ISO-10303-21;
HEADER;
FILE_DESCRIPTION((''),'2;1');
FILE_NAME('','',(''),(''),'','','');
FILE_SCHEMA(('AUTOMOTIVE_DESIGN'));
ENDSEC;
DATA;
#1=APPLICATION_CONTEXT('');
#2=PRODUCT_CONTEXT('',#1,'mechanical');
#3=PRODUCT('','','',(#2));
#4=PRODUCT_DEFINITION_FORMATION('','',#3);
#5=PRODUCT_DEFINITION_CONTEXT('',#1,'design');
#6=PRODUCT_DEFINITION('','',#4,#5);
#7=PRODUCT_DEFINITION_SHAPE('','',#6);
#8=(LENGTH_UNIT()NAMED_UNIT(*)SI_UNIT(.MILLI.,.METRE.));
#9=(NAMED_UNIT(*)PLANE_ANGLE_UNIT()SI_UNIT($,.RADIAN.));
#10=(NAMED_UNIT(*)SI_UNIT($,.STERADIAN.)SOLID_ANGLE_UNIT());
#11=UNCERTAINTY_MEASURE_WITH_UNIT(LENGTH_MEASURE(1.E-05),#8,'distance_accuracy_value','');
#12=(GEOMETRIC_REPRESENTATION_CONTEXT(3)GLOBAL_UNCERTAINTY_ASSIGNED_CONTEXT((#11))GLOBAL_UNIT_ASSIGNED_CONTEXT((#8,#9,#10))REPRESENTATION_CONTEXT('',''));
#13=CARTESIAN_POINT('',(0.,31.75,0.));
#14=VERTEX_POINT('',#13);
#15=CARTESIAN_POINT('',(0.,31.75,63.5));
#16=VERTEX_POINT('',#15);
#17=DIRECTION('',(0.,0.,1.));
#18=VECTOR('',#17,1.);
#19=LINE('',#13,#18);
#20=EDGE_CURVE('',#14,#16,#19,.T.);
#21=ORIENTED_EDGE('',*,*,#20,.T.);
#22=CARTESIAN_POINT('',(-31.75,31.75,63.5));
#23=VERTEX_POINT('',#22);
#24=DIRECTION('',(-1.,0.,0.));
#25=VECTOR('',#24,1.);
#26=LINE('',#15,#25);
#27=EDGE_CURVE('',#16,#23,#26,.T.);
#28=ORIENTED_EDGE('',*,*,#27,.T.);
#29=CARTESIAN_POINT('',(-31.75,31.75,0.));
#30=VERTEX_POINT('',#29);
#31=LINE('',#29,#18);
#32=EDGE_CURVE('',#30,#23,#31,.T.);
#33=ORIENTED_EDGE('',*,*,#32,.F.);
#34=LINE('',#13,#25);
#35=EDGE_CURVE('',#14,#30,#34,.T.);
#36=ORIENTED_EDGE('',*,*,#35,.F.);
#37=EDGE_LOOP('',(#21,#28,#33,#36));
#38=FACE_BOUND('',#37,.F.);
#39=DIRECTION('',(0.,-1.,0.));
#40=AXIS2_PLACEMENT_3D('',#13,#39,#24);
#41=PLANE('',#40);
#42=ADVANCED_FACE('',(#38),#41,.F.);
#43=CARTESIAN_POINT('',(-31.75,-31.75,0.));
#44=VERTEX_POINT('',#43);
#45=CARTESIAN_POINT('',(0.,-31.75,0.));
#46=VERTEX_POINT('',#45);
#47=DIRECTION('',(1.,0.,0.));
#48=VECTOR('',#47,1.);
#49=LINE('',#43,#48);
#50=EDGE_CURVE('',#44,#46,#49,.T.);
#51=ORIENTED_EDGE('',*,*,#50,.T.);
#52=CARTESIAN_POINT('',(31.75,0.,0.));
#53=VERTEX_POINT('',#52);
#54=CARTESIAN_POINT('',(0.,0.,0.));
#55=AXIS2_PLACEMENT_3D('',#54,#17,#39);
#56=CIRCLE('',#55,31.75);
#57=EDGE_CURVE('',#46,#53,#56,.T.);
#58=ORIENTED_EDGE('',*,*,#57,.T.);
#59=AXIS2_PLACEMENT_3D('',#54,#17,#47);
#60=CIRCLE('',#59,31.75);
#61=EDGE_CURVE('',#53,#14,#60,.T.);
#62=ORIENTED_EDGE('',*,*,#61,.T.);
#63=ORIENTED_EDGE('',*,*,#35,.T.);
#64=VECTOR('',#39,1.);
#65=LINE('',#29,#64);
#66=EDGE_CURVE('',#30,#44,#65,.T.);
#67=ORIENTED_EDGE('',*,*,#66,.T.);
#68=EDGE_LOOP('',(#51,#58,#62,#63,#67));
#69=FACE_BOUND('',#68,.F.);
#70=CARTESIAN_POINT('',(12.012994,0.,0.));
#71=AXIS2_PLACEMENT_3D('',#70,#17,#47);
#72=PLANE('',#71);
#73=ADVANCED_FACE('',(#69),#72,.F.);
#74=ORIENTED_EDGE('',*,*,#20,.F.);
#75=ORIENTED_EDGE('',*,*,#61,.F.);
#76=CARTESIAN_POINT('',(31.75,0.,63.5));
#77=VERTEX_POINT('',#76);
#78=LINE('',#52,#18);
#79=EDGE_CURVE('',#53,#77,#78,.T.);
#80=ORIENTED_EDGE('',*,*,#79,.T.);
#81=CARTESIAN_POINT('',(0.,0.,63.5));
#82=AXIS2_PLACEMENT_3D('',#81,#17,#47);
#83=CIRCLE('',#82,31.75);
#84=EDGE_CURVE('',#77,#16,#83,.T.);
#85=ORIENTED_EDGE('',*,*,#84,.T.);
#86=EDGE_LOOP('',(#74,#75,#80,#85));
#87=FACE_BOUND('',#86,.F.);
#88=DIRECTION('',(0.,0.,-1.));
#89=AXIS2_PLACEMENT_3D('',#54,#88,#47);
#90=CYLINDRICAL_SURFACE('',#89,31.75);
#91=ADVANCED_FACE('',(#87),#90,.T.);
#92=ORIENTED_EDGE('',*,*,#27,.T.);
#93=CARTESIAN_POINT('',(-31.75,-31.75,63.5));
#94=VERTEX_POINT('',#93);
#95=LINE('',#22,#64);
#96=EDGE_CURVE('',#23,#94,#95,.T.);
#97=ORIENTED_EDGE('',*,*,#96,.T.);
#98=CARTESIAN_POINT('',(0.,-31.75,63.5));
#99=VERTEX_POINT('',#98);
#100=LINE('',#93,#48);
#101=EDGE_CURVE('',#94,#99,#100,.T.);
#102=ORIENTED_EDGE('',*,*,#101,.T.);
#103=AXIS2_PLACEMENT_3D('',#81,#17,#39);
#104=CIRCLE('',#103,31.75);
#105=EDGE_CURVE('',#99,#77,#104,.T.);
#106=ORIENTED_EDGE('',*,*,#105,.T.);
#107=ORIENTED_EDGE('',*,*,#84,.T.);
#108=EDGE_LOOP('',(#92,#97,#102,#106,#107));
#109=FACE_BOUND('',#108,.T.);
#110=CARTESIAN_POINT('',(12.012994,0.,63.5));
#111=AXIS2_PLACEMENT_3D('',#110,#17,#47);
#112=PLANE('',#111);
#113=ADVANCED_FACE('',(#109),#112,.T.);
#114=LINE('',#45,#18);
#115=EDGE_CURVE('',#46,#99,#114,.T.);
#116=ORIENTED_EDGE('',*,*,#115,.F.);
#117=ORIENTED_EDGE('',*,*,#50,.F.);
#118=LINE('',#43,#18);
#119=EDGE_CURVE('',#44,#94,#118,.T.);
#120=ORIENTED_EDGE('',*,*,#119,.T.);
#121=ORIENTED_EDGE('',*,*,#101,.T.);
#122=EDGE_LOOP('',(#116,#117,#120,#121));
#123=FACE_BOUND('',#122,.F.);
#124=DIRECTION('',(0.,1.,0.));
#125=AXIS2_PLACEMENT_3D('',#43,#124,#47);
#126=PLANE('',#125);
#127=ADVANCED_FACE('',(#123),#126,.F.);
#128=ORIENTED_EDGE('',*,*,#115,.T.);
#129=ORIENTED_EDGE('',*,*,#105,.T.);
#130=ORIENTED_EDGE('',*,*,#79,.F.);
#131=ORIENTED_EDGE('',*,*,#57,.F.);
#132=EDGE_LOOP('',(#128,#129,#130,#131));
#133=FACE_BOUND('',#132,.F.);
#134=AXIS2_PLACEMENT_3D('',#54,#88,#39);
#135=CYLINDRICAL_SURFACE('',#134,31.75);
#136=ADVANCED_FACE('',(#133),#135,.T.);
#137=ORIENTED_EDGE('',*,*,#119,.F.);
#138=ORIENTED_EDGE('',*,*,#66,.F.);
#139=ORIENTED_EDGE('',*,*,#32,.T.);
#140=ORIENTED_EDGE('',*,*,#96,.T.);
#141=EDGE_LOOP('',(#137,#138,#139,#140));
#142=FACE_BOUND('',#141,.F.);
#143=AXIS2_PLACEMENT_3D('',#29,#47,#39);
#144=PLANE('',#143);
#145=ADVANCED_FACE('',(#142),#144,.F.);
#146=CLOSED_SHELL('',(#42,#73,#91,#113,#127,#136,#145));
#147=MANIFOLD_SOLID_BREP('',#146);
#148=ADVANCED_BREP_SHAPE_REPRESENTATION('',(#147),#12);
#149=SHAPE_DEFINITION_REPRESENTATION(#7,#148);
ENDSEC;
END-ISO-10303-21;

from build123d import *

# Parameters (mm, degrees)
F1_DEPTH = 63.5


with BuildPart() as f1:
    # F0 (on Top) → F1 (new body)
    with BuildSketch(Plane.XY):
        with BuildLine():
            ThreePointArc((0, -31.75), (22.4506403027, -22.4506403027), (31.75, 0))
            ThreePointArc((31.75, 0), (22.4506403027, 22.4506403027), (0, 31.75))
            Line((0, 31.75), (0, -31.75))
        make_face()
        with BuildLine():
            Line((0, -31.75), (0, 31.75))
            ThreePointArc((0, 31.75), (-22.4506403027, 22.4506403027), (-31.75, 0))
            ThreePointArc((-31.75, 0), (-22.4506403027, -22.4506403027), (0, -31.75))
        make_face()
        with BuildLine():
            ThreePointArc((-31.75, 0), (-22.4506403027, 22.4506403027), (0, 31.75))
            Line((0, 31.75), (-31.75, 31.75))
            Line((-31.75, 31.75), (-31.75, 0))
        make_face()
        with BuildLine():
            Line((-31.75, -31.75), (0, -31.75))
            ThreePointArc((0, -31.75), (-22.4506403027, -22.4506403027), (-31.75, 0))
            Line((-31.75, 0), (-31.75, -31.75))
        make_face()
    extrude(amount=F1_DEPTH)


solid = f1.part
